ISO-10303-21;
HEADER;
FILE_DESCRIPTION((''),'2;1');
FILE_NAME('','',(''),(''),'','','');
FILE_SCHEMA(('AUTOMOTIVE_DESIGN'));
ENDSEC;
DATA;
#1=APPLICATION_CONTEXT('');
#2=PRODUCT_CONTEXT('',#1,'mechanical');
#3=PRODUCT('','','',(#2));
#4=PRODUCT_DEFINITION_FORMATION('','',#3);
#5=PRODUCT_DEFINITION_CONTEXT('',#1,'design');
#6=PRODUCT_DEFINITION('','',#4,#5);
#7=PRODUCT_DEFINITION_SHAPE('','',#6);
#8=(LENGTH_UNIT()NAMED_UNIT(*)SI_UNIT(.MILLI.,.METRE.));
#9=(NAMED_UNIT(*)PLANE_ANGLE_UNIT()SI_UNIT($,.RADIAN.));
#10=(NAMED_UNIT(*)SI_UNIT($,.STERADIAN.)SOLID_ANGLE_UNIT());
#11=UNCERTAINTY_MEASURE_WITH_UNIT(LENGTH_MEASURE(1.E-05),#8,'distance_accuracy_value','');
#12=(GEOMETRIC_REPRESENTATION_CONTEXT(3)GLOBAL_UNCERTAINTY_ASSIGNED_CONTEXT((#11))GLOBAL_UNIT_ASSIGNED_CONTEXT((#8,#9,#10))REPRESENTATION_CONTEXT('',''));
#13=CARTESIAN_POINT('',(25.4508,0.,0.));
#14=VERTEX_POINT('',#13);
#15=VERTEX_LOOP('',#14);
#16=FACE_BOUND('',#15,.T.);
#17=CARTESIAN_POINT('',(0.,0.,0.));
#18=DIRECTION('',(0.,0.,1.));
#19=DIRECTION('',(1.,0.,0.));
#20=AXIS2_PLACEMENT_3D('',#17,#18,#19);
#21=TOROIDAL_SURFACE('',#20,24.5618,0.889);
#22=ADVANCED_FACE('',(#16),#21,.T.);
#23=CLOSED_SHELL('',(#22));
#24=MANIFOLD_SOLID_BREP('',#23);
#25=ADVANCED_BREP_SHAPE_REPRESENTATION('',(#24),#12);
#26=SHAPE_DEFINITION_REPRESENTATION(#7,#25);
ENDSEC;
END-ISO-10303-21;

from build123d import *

# Parameters (mm, degrees)
SKETCH1_R = 0.889


with BuildPart() as part:
    # Sketch1 → Revolve1 (revolve)
    with BuildSketch(Plane(origin=(0, 0, 0), x_dir=(0, -1, 0), z_dir=(1, 0, 0))):
        with Locations((24.5618, 0)):
            Circle(SKETCH1_R)
    revolve(axis=Axis((0, 0, 0.889), (0, 0, -1)))


solid = part.part
